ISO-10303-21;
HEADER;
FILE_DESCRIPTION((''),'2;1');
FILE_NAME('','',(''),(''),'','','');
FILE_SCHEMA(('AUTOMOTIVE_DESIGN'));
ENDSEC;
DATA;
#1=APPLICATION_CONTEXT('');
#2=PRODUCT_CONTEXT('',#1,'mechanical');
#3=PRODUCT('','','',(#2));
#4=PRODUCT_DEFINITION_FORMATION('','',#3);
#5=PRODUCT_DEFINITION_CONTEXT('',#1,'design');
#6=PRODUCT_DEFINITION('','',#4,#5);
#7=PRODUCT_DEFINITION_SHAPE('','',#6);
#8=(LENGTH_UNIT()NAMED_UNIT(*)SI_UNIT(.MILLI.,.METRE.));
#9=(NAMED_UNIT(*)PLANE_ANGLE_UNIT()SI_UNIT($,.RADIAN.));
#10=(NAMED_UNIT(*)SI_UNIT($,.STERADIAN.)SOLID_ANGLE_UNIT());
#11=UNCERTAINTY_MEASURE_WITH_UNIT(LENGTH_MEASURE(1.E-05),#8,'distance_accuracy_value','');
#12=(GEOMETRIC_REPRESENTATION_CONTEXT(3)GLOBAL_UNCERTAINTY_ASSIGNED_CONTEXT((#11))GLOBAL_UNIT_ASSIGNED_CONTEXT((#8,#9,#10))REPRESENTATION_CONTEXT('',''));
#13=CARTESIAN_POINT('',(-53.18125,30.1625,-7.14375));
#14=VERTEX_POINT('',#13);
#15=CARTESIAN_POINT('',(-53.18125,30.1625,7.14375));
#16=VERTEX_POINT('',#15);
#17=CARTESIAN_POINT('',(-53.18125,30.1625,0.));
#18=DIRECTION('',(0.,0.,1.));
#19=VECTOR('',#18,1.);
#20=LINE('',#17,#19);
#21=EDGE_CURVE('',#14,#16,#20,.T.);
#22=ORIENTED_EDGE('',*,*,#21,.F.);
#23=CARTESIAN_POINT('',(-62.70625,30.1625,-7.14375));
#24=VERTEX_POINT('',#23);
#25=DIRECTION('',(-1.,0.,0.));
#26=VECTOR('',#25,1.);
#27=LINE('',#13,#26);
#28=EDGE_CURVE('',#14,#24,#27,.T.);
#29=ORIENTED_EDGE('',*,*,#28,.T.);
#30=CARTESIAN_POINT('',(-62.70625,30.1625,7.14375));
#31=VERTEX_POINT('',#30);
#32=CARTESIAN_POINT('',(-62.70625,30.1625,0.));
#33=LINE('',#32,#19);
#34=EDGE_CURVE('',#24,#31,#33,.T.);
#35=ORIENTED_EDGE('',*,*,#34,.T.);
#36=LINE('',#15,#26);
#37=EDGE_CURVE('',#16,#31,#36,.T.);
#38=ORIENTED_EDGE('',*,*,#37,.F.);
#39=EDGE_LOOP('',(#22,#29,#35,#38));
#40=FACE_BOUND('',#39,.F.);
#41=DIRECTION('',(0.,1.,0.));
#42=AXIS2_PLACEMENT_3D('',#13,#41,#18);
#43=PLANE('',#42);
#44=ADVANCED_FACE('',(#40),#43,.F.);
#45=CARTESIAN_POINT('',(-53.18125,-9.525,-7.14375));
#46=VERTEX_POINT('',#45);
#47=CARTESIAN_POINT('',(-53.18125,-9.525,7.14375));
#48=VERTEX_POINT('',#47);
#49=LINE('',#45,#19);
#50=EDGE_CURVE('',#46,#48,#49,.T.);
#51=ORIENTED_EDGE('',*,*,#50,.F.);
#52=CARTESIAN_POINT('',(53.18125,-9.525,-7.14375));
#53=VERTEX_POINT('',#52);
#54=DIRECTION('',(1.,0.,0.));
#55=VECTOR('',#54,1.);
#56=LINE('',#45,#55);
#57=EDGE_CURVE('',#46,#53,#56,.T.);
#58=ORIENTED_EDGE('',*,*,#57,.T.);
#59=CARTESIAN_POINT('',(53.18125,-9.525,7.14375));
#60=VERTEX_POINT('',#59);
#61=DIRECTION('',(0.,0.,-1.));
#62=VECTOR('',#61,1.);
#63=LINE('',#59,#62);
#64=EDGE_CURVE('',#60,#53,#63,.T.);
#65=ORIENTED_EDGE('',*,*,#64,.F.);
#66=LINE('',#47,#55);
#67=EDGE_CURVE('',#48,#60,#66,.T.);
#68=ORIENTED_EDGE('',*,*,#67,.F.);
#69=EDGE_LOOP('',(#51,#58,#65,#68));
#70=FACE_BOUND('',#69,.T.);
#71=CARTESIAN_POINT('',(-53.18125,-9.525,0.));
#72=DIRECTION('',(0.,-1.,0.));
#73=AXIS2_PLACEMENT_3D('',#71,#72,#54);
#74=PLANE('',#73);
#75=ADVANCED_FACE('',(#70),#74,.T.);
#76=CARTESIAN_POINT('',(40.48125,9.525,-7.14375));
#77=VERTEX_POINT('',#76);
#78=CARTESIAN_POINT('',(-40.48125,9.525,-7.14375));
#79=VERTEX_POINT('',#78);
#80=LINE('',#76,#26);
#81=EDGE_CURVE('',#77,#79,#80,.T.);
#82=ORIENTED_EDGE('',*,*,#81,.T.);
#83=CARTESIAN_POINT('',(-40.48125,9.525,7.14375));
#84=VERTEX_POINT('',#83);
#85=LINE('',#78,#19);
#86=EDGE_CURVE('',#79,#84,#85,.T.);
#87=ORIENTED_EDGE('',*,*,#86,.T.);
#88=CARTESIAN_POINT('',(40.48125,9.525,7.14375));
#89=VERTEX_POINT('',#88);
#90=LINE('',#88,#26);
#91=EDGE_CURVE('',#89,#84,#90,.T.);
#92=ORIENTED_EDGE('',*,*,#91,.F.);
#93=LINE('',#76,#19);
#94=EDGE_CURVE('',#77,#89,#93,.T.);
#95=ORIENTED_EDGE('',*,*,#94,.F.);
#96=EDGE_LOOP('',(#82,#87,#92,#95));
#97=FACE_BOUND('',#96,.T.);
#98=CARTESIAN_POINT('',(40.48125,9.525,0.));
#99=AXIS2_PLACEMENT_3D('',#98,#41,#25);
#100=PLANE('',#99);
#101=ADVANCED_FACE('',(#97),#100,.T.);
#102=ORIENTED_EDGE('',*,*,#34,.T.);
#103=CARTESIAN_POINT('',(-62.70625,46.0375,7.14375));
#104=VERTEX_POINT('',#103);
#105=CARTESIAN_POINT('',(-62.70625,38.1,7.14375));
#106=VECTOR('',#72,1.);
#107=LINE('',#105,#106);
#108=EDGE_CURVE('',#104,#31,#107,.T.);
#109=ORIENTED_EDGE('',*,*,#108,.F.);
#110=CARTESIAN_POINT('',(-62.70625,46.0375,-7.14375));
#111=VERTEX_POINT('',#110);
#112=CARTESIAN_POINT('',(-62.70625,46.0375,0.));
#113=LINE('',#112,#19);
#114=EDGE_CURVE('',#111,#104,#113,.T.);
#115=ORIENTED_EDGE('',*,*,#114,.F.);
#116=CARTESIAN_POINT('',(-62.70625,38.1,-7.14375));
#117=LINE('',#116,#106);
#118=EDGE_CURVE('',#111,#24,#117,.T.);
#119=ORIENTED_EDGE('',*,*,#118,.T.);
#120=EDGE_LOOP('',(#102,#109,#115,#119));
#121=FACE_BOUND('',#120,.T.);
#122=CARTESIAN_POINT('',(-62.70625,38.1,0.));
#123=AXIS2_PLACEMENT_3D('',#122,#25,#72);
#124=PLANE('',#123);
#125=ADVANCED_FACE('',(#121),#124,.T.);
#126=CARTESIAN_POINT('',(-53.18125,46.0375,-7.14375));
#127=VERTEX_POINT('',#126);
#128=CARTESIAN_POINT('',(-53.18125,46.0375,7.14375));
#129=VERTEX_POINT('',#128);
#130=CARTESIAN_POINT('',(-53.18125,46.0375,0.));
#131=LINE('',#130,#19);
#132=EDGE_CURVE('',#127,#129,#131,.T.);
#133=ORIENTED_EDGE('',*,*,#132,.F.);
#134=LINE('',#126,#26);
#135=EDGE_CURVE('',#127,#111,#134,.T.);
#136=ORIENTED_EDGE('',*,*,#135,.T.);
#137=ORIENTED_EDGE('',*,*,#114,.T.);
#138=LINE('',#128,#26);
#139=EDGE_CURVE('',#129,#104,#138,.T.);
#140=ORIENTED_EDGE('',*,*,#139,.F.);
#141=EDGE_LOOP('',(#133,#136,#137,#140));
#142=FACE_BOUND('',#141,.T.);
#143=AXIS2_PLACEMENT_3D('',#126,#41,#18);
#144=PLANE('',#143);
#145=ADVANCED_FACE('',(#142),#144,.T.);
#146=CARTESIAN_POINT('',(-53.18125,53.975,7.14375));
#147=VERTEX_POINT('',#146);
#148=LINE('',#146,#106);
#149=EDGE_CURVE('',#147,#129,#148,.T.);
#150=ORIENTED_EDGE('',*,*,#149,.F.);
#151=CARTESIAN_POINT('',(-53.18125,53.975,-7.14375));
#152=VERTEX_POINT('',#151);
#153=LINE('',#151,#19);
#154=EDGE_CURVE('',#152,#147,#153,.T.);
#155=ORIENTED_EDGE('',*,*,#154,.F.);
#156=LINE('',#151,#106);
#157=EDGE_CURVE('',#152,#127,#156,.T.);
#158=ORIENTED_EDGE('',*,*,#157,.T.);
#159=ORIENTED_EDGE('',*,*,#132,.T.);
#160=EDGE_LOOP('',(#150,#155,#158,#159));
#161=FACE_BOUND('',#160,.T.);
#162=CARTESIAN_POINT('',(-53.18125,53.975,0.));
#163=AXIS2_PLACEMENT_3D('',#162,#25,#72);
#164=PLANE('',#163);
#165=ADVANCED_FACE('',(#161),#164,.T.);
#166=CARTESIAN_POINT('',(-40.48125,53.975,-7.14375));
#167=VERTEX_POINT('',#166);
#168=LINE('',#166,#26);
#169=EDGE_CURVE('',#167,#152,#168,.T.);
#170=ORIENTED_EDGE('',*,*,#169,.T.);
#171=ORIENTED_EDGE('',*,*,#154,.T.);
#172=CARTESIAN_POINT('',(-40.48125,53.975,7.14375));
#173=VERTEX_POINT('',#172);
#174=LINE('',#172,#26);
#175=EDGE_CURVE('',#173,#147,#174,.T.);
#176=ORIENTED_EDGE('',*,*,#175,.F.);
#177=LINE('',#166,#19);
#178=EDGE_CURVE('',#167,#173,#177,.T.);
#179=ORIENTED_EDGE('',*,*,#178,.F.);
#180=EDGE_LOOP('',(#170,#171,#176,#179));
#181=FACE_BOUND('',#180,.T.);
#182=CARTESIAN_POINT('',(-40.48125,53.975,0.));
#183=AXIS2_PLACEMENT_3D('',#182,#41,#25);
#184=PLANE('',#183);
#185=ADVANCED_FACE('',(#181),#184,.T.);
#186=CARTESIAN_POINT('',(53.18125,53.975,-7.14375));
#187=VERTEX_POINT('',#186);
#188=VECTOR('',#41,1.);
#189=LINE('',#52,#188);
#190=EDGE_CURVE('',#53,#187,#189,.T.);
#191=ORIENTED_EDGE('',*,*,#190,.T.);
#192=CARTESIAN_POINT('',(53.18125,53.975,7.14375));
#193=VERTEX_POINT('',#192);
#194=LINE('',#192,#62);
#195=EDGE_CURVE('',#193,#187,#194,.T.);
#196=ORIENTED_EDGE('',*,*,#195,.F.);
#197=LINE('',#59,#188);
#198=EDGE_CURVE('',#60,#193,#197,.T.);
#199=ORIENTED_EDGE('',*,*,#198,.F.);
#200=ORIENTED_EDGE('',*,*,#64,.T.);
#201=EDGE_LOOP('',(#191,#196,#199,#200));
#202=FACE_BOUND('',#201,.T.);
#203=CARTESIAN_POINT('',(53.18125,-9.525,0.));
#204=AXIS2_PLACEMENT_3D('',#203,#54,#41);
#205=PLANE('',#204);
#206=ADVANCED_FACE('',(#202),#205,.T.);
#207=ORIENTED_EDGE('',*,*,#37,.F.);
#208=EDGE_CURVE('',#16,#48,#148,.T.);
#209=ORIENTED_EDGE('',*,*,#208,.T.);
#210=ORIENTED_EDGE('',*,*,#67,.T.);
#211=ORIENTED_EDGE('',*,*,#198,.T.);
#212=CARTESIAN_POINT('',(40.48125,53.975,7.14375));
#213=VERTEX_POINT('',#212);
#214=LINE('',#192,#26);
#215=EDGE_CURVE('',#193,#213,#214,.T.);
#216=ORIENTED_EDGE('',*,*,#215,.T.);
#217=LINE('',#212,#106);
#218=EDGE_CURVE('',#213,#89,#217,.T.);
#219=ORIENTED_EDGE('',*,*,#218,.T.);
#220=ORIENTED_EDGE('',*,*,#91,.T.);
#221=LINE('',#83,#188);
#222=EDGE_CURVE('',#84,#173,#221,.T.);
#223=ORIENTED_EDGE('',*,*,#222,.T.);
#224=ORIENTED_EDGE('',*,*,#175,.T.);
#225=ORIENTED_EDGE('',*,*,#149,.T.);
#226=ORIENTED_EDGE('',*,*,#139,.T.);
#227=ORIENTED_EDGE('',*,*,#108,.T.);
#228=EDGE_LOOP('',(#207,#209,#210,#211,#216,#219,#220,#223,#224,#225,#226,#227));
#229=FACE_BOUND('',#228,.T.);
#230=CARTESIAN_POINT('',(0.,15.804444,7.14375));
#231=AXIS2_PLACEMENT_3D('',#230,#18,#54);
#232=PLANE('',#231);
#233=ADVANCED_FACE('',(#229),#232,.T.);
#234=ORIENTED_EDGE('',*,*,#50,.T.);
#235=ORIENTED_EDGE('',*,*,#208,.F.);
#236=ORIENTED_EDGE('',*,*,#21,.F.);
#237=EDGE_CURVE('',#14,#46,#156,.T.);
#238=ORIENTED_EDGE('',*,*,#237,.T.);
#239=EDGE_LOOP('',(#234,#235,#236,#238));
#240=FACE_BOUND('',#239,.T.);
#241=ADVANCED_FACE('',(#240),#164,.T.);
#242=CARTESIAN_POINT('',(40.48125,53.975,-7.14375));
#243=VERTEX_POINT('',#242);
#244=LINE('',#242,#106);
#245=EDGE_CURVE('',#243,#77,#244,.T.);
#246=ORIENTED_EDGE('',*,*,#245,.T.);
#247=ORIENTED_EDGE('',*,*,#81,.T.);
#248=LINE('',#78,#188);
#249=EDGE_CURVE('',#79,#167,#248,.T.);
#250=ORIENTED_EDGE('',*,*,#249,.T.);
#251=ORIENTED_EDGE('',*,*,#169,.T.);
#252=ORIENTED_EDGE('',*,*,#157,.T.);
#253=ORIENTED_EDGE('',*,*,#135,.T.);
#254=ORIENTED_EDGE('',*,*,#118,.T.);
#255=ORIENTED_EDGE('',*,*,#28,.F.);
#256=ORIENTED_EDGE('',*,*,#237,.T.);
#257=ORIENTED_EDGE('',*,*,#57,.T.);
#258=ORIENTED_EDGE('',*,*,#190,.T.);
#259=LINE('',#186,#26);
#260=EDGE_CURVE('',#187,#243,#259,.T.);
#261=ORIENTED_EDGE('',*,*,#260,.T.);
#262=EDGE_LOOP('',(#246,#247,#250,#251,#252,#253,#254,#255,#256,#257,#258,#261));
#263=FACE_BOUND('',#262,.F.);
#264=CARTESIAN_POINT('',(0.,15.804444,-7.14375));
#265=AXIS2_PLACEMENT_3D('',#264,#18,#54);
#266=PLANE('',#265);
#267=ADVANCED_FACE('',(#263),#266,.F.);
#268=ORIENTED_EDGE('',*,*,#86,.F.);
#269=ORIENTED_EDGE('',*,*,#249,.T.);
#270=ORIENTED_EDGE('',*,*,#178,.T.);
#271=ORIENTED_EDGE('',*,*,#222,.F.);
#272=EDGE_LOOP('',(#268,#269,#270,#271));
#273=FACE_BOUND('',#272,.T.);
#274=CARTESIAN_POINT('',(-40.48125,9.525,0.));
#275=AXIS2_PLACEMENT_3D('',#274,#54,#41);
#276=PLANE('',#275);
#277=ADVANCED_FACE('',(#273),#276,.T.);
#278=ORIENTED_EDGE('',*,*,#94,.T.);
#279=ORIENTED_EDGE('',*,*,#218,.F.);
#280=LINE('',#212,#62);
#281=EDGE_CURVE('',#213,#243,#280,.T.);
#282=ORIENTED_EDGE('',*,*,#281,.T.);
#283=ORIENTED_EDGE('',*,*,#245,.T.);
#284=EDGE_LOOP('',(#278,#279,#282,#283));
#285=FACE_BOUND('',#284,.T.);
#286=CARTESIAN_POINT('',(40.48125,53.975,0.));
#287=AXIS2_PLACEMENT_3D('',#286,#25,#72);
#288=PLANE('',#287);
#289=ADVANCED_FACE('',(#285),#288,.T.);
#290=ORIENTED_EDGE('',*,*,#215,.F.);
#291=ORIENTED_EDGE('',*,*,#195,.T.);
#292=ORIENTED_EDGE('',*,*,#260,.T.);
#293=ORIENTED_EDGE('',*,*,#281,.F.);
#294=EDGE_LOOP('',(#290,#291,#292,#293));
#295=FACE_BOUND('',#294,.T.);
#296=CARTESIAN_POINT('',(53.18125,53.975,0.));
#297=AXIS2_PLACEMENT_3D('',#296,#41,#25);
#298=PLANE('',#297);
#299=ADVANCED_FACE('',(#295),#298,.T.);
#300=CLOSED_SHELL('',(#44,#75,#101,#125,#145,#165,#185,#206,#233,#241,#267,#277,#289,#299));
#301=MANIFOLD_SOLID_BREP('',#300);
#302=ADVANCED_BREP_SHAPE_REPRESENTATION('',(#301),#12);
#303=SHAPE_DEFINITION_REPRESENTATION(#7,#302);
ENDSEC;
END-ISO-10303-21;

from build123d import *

# Parameters (mm, degrees)
F1_DEPTH = 7.14375
F2_W     = 15.875
F2_H     = 14.2875
F3_DEPTH = 9.525


with BuildPart() as f1:
    # F0 (on Top) → F1 (new body, symmetric)
    with BuildSketch(Plane.XY):
        Polygon((40.48125, 53.975), (40.48125, 9.525), (-40.48125, 9.525), (-40.48125, 53.975), (-53.18125, 53.975), (-53.18125, 9.525), (-53.18125, -9.525), (-40.48125, -9.525), (40.48125, -9.525), (53.18125, -9.525), (53.18125, 9.525), (53.18125, 53.975), align=None)
    extrude(amount=F1_DEPTH, both=True)

    # F2 (on face) → F3 (join)
    with BuildSketch(Plane(origin=(-53.18125, 0, 0), x_dir=(0, -1, 0), z_dir=(-1, 0, 0))):
        with Locations((-38.1, 0)):
            Rectangle(F2_W, F2_H)
    extrude(amount=F3_DEPTH)


solid = f1.part
